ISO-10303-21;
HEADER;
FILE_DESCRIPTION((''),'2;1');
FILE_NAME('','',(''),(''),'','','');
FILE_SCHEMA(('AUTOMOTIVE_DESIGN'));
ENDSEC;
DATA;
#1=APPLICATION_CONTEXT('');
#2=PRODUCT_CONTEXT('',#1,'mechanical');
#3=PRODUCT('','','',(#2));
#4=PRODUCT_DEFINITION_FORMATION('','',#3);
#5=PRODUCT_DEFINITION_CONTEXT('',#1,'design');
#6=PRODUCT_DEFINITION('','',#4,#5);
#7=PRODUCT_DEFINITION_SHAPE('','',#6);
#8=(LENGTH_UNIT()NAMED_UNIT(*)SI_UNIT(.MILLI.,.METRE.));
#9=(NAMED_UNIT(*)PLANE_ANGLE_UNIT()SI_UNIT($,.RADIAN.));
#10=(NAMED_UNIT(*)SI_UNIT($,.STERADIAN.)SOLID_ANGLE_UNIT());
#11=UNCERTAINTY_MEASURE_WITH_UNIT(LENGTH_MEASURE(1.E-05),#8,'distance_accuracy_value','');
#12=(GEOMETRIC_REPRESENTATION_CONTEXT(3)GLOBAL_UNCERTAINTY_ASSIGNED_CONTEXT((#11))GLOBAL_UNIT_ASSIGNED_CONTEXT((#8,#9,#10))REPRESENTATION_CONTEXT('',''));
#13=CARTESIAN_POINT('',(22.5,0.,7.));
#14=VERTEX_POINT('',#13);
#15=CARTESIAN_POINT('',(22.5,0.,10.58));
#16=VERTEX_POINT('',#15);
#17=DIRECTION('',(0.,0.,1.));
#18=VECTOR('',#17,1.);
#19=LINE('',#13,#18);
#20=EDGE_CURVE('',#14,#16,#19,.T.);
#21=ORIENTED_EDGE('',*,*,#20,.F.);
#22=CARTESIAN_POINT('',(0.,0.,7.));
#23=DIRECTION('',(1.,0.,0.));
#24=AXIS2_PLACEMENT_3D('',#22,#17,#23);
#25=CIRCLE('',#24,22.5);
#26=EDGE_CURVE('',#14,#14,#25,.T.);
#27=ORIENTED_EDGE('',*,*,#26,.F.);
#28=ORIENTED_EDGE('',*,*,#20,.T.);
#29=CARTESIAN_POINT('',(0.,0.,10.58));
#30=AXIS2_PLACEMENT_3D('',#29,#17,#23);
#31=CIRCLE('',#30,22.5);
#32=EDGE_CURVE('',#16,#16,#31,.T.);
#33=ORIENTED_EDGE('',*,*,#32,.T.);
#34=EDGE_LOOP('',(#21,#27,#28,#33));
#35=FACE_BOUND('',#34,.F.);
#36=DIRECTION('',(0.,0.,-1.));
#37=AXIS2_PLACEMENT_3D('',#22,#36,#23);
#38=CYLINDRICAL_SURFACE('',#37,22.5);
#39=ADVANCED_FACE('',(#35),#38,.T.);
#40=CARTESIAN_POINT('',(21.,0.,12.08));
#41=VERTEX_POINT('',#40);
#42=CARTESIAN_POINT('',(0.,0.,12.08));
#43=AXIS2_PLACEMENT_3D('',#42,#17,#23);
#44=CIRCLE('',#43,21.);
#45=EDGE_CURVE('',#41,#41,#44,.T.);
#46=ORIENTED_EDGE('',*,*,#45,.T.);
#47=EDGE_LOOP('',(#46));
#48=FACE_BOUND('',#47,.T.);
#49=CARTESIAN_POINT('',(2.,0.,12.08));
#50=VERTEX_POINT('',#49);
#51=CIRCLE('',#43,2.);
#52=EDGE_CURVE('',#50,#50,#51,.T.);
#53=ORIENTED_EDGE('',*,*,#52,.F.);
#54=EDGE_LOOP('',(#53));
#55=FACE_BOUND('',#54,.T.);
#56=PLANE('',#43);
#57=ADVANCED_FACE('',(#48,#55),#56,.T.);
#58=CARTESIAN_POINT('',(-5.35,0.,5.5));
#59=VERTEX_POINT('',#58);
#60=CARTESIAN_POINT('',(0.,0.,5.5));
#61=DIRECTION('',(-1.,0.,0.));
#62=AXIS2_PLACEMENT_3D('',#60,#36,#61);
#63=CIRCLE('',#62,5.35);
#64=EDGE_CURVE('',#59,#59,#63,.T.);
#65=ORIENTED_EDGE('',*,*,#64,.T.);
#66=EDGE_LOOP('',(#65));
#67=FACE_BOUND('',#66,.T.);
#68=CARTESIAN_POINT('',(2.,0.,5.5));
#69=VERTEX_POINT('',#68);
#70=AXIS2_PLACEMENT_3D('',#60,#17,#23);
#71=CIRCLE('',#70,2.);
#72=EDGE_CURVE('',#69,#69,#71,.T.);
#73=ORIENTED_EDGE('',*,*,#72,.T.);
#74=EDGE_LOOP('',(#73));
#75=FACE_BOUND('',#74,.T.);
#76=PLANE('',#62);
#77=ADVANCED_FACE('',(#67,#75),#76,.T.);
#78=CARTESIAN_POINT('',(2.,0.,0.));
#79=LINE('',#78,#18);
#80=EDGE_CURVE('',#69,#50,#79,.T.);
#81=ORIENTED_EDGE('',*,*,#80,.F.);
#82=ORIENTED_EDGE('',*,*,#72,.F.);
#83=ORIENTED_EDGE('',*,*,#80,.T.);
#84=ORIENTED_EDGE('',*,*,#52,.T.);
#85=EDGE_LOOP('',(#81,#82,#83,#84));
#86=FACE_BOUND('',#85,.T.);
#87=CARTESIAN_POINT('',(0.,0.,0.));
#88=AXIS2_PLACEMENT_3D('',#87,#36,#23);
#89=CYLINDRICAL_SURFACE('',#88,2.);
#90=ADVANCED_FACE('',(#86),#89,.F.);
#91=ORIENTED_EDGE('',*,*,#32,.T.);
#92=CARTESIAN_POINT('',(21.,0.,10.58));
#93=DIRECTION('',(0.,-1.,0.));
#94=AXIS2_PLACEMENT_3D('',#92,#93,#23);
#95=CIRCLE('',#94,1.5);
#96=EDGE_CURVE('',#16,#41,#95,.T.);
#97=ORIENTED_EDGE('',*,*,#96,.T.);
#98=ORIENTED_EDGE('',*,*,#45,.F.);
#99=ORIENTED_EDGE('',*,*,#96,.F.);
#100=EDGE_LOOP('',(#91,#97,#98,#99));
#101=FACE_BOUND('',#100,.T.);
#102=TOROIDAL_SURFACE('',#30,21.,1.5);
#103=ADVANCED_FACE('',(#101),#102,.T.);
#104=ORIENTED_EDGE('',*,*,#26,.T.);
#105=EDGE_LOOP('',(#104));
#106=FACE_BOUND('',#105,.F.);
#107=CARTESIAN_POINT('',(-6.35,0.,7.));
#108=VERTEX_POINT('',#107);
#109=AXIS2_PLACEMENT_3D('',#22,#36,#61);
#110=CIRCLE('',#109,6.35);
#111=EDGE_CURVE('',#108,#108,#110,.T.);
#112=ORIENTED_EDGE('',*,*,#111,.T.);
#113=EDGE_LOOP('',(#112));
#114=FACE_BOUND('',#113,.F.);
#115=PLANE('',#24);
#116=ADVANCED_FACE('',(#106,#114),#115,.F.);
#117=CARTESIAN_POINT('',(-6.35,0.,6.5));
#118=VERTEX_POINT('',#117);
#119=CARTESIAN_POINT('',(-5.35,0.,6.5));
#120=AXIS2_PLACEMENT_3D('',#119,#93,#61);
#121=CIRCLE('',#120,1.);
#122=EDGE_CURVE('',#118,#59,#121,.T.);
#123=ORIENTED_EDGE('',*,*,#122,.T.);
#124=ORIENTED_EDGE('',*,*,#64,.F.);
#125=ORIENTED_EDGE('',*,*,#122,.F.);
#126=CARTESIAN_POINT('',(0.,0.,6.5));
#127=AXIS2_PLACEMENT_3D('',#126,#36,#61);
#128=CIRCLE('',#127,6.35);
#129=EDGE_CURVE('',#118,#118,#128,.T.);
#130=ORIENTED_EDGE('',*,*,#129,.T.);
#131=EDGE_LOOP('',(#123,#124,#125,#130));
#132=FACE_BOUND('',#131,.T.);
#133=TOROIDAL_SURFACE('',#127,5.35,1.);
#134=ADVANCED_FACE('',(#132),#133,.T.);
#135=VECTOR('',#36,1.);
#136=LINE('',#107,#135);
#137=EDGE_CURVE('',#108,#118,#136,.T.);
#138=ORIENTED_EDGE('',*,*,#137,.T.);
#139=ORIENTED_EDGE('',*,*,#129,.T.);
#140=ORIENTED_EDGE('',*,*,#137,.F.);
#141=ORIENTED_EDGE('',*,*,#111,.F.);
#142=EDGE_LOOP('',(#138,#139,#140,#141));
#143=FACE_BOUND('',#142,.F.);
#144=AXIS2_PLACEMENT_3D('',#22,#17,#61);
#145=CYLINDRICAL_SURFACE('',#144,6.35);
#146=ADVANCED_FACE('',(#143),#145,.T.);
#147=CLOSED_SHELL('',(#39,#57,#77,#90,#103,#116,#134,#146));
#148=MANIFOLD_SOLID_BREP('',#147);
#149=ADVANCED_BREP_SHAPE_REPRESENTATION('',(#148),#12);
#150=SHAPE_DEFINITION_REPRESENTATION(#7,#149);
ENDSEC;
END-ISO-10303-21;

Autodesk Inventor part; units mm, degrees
ref_plane "YZ Plane" through (0, 0, 0) normal (1, 0, 0) x (0, 1, 0)
ref_plane "XZ Plane" through (0, 0, 0) normal (0, 1, 0) x (-1, 0, 0)
ref_plane "XY Plane" through (0, 0, 0) normal (0, 0, 1) x (1, 0, 0)
sketch "Sketch1" plane through (0, 0, 0) normal (0, 0, 1) x (1, 0, 0)
  circle A0 centre (0, 0) radius 3.925
  circle A1 centre (0, 0) radius 2
  dimension "d0" = 7.85
  dimension "d1" = 4
extrude "Extrusion1" add sketch "Sketch1" along normal blind 7
sketch "Sketch2" plane through (0, 0, 7) normal (0, 0, 1) x (1, 0, 0)
  circle A0 centre (0, 0) radius 22.5
  circle A1 centre (0, 0) radius 2 projected
  dimension "d4" = 45
extrude "Extrusion2" add sketch "Sketch2" along normal blind 5.08
fillet "Fillet1" radius 1.5 1 edges at (-22.5, 0, 12.08)
sketch "Sketch4" plane through (0, 0, 7) normal (0, 0, -1) x (-1, 0, 0)
  circle A0 centre (0, 0) radius 3.925
  circle A1 centre (0, 0) radius 6.35
  dimension "d10" = 12.7
extrude "Extrusion4" add sketch "Sketch4" along normal blind 1.5
sketch "Sketch5" plane through (0, 0, 0) normal (0, 0, -1) x (-1, 0, 0)
  circle A0 centre (0, 0) radius 3.925 projected
  circle A1 centre (0, 0) radius 2 projected
fillet "Fillet2" radius 1 1 edges at (6.35, 0, 5.5)
extrude "Extrusion5" add sketch "Sketch5" along normal blind 1.5
sketch "Sketch6" plane through (0, 0, -1.5) normal (0, 0, -1) x (-1, 0, 0)
  circle A0 centre (0, 0) radius 3.925 projected
  circle A1 centre (0, 0) radius 2 projected
extrude "Extrusion6" cut sketch "Sketch6" against normal up to surface (7 mm away)
properties part number "wheel_mrrover2"
